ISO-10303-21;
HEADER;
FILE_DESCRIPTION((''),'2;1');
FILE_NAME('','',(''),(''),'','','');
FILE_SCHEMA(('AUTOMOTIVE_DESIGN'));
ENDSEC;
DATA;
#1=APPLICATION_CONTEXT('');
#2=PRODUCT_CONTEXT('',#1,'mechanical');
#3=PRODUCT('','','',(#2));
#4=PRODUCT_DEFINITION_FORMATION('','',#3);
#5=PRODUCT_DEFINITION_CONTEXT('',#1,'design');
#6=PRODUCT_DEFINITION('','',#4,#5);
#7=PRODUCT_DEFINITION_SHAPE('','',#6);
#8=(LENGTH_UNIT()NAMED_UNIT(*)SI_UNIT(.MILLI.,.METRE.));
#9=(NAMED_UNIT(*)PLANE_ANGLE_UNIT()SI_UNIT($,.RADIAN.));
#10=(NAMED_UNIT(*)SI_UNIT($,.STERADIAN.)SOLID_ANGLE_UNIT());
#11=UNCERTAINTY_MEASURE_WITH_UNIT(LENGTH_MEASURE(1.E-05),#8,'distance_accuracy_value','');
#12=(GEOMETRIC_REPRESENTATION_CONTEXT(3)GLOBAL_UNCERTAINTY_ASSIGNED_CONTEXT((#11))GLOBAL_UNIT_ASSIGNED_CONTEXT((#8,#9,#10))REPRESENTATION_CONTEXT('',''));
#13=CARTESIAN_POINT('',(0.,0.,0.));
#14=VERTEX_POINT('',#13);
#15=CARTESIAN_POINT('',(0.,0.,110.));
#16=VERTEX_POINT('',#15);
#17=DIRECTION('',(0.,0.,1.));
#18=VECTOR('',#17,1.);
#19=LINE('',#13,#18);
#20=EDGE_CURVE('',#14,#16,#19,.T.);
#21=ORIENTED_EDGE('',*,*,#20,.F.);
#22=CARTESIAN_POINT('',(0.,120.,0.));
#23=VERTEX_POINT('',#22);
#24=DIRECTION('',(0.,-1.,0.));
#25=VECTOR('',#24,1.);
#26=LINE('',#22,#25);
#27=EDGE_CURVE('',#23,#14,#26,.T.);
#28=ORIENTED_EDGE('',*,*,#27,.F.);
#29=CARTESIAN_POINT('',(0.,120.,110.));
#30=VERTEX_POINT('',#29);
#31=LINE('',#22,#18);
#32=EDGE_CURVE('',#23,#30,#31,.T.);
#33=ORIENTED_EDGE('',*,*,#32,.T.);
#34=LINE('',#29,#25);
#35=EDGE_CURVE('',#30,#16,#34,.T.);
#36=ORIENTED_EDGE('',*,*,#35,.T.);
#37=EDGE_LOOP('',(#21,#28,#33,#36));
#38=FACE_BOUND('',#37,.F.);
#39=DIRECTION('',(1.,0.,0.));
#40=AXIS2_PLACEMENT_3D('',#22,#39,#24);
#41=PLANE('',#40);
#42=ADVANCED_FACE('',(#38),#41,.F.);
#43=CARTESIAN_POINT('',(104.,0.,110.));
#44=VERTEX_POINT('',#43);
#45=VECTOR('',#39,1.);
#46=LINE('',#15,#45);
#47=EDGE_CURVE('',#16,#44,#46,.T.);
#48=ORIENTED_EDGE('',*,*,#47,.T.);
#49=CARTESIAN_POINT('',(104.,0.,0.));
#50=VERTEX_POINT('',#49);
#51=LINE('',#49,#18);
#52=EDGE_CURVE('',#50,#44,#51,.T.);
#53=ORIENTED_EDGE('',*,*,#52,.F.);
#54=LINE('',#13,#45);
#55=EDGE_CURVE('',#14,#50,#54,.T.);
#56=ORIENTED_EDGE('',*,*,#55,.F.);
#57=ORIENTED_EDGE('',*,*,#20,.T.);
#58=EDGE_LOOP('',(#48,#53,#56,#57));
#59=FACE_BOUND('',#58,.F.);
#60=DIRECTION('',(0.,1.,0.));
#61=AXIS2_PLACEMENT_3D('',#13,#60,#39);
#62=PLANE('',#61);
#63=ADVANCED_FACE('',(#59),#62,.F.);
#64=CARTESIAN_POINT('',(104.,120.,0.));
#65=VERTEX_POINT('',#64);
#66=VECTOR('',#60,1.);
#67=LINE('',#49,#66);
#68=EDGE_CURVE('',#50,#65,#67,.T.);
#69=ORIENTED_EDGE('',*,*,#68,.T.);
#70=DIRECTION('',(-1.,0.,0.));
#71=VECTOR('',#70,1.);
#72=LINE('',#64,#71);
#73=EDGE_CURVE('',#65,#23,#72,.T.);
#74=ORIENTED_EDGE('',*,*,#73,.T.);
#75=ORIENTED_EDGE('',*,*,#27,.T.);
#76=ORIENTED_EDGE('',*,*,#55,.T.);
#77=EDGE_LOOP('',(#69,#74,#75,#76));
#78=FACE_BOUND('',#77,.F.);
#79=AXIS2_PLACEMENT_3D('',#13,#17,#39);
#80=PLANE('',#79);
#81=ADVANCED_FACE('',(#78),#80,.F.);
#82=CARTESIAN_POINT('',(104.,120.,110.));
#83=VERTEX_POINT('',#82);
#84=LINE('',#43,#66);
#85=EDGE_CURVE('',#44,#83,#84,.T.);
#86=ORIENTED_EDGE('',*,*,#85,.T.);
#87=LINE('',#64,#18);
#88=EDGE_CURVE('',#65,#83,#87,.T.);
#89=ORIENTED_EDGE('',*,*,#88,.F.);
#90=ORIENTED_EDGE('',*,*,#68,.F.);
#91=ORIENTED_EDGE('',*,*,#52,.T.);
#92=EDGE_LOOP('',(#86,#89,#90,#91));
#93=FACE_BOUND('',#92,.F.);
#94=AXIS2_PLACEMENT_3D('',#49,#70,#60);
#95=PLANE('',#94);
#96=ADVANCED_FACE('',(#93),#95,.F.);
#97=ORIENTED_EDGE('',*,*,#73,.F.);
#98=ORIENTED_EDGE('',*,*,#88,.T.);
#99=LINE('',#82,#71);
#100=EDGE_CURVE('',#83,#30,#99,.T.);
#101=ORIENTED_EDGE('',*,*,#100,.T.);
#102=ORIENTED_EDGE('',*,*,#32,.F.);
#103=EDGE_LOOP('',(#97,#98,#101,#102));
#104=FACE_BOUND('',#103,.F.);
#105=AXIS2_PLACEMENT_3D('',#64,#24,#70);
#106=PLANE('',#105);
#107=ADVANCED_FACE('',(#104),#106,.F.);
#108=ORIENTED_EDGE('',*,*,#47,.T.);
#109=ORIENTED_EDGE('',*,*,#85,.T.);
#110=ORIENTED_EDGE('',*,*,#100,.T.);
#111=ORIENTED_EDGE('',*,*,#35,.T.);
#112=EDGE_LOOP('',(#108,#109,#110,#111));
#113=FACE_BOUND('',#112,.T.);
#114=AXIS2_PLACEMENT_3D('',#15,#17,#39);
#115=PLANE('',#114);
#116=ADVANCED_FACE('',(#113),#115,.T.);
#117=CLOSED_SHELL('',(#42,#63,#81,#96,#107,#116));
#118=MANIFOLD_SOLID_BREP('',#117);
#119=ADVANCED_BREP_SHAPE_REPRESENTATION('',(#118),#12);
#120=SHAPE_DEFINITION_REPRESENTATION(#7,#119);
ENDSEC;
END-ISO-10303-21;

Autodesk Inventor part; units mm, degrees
ref_plane "YZ Plane" through (0, 0, 0) normal (1, 0, 0) x (0, 1, 0)
ref_plane "XZ Plane" through (0, 0, 0) normal (0, 1, 0) x (-1, 0, 0)
ref_plane "XY Plane" through (0, 0, 0) normal (0, 0, 1) x (1, 0, 0)
sketch "Sketch1" plane through (0, 0, 0) normal (0, 0, 1) x (1, 0, 0)
  line L0 (0, 0) -> (104, 0)
  line L1 (104, 0) -> (104, 120)
  line L2 (104, 120) -> (0, 120)
  line L3 (0, 120) -> (0, 0)
  dimension "d0" = 104
  dimension "d1" = 120
extrude "Extrusion1" add sketch "Sketch1" along normal blind 110
properties part number "Down Right Building Block" material "Glass"
